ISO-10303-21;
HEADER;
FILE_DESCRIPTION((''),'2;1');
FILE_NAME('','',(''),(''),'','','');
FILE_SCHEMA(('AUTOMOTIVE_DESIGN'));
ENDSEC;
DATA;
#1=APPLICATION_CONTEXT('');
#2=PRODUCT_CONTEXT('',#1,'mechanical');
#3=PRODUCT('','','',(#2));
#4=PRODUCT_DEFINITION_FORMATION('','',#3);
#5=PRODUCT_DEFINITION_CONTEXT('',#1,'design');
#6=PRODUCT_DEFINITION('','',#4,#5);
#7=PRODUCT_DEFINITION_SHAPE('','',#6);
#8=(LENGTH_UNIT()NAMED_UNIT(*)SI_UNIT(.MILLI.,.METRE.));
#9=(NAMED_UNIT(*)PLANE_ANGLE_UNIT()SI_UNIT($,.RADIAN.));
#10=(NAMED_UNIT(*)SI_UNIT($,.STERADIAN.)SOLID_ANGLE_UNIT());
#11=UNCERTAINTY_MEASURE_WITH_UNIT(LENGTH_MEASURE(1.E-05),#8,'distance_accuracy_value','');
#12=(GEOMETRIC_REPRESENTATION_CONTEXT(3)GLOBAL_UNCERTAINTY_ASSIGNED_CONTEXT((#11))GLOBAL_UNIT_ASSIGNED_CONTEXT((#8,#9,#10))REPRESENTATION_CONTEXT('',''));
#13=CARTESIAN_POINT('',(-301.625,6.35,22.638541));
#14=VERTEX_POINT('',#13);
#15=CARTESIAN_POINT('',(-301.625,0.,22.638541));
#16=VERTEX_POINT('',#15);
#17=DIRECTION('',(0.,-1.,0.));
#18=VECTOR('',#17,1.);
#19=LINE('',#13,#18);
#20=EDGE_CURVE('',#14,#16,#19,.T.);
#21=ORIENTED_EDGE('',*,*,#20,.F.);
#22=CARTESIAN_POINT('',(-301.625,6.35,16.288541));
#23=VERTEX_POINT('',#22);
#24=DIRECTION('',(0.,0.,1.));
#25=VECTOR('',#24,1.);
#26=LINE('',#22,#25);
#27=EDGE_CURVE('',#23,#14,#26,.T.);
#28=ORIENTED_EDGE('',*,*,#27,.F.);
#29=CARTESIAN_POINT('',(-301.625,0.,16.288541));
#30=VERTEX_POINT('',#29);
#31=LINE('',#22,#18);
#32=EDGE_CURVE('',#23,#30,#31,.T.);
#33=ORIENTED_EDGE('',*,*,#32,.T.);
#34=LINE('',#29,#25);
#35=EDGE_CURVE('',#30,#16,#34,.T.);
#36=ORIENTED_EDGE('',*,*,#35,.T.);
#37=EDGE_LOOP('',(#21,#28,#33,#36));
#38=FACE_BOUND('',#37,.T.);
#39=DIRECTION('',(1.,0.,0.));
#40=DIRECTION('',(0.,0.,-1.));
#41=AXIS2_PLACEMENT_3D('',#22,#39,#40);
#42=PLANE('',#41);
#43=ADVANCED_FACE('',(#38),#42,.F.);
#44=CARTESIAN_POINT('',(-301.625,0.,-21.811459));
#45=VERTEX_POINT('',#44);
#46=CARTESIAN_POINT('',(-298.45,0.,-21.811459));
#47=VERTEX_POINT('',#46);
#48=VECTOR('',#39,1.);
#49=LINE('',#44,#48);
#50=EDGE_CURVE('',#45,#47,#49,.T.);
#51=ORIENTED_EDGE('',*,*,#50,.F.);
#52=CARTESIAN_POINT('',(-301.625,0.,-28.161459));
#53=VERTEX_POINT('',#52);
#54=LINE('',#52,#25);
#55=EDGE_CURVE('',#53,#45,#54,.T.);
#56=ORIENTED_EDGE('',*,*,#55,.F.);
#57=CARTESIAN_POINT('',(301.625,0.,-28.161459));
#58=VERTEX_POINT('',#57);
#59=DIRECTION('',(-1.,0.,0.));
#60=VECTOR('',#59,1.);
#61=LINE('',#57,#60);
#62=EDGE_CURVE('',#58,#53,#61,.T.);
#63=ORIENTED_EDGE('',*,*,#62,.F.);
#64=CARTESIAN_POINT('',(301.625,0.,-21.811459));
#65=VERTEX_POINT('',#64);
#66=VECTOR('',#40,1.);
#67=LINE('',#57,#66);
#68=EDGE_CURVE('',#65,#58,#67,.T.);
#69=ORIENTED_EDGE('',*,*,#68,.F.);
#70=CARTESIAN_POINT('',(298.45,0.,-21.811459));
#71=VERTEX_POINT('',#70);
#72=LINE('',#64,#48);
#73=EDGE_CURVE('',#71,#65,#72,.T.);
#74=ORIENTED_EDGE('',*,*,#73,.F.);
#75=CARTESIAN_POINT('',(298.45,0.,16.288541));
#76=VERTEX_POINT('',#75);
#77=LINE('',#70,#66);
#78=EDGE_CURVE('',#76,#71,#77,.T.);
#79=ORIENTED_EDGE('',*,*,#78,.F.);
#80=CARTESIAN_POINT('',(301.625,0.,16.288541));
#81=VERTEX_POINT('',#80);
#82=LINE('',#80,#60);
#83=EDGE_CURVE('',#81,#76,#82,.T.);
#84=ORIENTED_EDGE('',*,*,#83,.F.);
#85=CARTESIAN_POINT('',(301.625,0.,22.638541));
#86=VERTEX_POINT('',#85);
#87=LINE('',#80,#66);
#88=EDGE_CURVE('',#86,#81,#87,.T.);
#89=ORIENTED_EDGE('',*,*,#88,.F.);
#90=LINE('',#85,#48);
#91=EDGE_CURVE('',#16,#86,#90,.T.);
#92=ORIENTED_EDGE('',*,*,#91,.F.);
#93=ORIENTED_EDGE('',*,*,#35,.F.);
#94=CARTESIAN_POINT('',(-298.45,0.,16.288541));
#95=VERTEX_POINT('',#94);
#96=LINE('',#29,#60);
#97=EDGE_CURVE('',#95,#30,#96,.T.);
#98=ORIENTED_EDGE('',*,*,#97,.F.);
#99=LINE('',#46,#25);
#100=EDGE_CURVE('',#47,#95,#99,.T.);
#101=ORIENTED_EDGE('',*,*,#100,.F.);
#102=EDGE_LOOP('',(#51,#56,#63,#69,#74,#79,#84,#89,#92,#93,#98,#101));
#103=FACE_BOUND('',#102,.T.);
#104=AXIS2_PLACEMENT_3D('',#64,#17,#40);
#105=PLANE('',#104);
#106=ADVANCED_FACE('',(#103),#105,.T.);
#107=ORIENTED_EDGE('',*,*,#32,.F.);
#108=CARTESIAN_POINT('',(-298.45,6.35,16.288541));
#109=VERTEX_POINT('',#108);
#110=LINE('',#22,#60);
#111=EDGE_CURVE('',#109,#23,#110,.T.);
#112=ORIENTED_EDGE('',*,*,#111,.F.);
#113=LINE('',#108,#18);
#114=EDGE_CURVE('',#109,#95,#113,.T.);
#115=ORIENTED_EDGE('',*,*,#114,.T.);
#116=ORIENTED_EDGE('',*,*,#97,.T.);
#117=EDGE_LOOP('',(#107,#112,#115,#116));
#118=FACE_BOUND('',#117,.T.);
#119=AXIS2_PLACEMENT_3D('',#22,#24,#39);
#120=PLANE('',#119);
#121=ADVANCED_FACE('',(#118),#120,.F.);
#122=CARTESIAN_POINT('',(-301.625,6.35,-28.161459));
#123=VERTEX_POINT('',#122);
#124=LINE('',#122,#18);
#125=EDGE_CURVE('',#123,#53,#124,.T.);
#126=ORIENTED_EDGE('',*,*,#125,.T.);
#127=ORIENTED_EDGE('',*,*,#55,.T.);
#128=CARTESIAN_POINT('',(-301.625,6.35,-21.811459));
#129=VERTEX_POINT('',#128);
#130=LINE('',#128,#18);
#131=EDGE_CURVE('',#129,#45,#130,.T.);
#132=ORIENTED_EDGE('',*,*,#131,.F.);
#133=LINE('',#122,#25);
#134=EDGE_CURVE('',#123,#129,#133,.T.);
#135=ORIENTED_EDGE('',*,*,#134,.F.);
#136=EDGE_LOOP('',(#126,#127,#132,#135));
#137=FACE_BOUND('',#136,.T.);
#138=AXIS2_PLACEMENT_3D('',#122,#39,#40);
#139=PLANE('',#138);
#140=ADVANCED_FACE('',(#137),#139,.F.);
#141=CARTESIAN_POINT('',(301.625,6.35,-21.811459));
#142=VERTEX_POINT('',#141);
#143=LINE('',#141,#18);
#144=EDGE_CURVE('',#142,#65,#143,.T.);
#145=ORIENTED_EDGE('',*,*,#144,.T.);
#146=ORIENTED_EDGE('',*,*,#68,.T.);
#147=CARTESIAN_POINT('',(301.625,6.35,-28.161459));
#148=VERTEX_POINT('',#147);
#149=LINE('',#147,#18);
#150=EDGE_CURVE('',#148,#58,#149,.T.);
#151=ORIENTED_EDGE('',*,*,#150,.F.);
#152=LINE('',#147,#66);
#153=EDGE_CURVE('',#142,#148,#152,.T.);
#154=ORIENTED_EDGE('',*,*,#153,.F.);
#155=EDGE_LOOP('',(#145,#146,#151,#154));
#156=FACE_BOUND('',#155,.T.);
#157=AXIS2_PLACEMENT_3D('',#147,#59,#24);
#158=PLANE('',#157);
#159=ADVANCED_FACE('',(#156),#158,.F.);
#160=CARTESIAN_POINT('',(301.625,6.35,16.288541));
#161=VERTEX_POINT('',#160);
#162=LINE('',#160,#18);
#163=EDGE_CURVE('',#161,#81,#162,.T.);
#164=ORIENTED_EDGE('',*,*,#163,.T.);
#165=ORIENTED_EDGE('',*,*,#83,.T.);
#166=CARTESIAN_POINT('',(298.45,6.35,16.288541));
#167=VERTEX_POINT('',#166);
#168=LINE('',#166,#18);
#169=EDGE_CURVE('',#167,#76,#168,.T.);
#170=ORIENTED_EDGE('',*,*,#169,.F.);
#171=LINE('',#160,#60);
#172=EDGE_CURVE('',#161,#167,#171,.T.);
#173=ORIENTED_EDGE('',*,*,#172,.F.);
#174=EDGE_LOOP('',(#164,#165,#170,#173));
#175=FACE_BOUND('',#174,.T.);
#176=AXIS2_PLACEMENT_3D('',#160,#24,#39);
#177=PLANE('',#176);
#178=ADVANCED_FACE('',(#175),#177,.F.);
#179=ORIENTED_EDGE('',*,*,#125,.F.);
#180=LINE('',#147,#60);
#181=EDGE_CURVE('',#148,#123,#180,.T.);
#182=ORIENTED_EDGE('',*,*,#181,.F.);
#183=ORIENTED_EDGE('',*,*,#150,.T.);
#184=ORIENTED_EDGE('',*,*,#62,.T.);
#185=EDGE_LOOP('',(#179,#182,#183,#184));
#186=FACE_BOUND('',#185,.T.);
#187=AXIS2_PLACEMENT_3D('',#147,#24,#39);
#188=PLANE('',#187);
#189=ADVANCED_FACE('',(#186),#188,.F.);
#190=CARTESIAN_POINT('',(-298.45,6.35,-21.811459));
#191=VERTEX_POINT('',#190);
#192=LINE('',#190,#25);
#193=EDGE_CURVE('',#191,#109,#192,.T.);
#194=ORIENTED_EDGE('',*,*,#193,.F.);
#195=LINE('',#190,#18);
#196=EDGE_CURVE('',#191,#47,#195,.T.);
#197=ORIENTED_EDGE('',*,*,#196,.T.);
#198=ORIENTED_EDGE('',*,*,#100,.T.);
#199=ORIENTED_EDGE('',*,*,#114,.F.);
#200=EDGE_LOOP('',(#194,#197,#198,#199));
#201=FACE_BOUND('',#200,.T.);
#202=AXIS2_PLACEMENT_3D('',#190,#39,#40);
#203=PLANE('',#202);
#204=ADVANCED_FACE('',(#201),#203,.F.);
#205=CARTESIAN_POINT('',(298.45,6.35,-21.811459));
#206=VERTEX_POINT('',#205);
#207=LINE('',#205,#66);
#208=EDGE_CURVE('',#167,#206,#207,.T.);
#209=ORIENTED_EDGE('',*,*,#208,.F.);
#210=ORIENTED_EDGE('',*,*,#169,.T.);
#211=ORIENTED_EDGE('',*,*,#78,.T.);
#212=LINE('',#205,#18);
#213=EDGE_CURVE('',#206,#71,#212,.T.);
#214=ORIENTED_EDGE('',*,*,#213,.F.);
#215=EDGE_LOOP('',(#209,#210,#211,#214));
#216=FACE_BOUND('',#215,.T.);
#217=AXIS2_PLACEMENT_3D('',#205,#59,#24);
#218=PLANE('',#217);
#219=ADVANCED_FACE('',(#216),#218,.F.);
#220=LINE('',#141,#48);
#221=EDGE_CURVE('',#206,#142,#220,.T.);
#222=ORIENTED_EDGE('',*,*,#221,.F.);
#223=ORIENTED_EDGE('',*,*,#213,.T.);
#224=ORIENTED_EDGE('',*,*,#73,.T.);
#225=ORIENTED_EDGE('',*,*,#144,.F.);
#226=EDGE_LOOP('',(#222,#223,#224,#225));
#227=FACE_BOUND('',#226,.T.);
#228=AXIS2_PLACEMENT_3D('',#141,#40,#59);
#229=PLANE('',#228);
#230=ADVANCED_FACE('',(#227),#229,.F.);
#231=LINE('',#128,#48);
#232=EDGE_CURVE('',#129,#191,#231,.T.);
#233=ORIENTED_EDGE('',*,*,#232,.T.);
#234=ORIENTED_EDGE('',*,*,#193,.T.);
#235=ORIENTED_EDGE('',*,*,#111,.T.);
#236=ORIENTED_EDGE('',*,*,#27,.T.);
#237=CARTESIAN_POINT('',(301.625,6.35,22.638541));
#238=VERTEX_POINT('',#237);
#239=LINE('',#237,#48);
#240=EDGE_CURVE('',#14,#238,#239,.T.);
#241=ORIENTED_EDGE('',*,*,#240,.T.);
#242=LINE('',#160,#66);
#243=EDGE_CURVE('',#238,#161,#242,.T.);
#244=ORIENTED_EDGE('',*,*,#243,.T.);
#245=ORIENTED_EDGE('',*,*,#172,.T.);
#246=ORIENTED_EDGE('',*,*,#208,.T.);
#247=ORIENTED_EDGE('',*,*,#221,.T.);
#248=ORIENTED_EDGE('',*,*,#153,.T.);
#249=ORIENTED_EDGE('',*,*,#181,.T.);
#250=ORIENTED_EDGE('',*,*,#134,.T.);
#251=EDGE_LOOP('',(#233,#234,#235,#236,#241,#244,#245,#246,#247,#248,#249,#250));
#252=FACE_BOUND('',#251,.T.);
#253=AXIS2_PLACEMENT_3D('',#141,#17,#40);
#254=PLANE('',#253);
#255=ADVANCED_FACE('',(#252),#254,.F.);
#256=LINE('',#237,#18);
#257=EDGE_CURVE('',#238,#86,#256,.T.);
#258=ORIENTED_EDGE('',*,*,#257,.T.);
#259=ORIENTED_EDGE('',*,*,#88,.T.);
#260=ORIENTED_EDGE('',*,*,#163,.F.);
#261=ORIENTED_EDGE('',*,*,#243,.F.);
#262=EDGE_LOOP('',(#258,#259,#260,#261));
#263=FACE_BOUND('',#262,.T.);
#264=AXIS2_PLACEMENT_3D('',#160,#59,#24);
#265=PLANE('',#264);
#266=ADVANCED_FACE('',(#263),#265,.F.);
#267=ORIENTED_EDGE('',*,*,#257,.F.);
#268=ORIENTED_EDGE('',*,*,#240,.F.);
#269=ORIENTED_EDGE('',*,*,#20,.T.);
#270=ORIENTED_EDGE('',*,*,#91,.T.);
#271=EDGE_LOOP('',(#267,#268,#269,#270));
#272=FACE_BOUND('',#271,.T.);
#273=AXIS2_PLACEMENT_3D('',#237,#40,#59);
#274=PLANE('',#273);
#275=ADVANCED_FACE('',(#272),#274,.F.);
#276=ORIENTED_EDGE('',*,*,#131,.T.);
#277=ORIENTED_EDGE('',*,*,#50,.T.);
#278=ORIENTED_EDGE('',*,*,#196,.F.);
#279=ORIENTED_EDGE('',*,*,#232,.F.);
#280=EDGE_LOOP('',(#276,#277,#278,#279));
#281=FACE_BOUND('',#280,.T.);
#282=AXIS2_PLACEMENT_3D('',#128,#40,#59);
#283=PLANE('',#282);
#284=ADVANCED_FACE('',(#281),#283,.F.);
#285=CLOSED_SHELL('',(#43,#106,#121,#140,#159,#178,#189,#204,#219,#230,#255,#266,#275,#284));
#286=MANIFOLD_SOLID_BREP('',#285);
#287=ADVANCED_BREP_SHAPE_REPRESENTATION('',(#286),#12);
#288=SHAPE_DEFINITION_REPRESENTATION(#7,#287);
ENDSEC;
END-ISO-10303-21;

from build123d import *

# Parameters (mm, degrees)
BOSS_EXTRUDE1_DEPTH = 6.35


with BuildPart() as part:
    # Sketch1 → Boss-Extrude1 (new body)
    with BuildSketch(Plane(origin=(0, 0, 0), x_dir=(1, 0, 0), z_dir=(0, 1, 0))):
        Polygon((-298.45, 21.811459272), (-298.45, -16.288540728), (-301.625, -16.288540728), (-301.625, -22.638540728), (301.625, -22.638540728), (301.625, -16.288540728), (298.45, -16.288540728), (298.45, 21.811459272), (301.625, 21.811459272), (301.625, 28.161459272), (-301.625, 28.161459272), (-301.625, 21.811459272), align=None)
    extrude(amount=BOSS_EXTRUDE1_DEPTH)


solid = part.part
